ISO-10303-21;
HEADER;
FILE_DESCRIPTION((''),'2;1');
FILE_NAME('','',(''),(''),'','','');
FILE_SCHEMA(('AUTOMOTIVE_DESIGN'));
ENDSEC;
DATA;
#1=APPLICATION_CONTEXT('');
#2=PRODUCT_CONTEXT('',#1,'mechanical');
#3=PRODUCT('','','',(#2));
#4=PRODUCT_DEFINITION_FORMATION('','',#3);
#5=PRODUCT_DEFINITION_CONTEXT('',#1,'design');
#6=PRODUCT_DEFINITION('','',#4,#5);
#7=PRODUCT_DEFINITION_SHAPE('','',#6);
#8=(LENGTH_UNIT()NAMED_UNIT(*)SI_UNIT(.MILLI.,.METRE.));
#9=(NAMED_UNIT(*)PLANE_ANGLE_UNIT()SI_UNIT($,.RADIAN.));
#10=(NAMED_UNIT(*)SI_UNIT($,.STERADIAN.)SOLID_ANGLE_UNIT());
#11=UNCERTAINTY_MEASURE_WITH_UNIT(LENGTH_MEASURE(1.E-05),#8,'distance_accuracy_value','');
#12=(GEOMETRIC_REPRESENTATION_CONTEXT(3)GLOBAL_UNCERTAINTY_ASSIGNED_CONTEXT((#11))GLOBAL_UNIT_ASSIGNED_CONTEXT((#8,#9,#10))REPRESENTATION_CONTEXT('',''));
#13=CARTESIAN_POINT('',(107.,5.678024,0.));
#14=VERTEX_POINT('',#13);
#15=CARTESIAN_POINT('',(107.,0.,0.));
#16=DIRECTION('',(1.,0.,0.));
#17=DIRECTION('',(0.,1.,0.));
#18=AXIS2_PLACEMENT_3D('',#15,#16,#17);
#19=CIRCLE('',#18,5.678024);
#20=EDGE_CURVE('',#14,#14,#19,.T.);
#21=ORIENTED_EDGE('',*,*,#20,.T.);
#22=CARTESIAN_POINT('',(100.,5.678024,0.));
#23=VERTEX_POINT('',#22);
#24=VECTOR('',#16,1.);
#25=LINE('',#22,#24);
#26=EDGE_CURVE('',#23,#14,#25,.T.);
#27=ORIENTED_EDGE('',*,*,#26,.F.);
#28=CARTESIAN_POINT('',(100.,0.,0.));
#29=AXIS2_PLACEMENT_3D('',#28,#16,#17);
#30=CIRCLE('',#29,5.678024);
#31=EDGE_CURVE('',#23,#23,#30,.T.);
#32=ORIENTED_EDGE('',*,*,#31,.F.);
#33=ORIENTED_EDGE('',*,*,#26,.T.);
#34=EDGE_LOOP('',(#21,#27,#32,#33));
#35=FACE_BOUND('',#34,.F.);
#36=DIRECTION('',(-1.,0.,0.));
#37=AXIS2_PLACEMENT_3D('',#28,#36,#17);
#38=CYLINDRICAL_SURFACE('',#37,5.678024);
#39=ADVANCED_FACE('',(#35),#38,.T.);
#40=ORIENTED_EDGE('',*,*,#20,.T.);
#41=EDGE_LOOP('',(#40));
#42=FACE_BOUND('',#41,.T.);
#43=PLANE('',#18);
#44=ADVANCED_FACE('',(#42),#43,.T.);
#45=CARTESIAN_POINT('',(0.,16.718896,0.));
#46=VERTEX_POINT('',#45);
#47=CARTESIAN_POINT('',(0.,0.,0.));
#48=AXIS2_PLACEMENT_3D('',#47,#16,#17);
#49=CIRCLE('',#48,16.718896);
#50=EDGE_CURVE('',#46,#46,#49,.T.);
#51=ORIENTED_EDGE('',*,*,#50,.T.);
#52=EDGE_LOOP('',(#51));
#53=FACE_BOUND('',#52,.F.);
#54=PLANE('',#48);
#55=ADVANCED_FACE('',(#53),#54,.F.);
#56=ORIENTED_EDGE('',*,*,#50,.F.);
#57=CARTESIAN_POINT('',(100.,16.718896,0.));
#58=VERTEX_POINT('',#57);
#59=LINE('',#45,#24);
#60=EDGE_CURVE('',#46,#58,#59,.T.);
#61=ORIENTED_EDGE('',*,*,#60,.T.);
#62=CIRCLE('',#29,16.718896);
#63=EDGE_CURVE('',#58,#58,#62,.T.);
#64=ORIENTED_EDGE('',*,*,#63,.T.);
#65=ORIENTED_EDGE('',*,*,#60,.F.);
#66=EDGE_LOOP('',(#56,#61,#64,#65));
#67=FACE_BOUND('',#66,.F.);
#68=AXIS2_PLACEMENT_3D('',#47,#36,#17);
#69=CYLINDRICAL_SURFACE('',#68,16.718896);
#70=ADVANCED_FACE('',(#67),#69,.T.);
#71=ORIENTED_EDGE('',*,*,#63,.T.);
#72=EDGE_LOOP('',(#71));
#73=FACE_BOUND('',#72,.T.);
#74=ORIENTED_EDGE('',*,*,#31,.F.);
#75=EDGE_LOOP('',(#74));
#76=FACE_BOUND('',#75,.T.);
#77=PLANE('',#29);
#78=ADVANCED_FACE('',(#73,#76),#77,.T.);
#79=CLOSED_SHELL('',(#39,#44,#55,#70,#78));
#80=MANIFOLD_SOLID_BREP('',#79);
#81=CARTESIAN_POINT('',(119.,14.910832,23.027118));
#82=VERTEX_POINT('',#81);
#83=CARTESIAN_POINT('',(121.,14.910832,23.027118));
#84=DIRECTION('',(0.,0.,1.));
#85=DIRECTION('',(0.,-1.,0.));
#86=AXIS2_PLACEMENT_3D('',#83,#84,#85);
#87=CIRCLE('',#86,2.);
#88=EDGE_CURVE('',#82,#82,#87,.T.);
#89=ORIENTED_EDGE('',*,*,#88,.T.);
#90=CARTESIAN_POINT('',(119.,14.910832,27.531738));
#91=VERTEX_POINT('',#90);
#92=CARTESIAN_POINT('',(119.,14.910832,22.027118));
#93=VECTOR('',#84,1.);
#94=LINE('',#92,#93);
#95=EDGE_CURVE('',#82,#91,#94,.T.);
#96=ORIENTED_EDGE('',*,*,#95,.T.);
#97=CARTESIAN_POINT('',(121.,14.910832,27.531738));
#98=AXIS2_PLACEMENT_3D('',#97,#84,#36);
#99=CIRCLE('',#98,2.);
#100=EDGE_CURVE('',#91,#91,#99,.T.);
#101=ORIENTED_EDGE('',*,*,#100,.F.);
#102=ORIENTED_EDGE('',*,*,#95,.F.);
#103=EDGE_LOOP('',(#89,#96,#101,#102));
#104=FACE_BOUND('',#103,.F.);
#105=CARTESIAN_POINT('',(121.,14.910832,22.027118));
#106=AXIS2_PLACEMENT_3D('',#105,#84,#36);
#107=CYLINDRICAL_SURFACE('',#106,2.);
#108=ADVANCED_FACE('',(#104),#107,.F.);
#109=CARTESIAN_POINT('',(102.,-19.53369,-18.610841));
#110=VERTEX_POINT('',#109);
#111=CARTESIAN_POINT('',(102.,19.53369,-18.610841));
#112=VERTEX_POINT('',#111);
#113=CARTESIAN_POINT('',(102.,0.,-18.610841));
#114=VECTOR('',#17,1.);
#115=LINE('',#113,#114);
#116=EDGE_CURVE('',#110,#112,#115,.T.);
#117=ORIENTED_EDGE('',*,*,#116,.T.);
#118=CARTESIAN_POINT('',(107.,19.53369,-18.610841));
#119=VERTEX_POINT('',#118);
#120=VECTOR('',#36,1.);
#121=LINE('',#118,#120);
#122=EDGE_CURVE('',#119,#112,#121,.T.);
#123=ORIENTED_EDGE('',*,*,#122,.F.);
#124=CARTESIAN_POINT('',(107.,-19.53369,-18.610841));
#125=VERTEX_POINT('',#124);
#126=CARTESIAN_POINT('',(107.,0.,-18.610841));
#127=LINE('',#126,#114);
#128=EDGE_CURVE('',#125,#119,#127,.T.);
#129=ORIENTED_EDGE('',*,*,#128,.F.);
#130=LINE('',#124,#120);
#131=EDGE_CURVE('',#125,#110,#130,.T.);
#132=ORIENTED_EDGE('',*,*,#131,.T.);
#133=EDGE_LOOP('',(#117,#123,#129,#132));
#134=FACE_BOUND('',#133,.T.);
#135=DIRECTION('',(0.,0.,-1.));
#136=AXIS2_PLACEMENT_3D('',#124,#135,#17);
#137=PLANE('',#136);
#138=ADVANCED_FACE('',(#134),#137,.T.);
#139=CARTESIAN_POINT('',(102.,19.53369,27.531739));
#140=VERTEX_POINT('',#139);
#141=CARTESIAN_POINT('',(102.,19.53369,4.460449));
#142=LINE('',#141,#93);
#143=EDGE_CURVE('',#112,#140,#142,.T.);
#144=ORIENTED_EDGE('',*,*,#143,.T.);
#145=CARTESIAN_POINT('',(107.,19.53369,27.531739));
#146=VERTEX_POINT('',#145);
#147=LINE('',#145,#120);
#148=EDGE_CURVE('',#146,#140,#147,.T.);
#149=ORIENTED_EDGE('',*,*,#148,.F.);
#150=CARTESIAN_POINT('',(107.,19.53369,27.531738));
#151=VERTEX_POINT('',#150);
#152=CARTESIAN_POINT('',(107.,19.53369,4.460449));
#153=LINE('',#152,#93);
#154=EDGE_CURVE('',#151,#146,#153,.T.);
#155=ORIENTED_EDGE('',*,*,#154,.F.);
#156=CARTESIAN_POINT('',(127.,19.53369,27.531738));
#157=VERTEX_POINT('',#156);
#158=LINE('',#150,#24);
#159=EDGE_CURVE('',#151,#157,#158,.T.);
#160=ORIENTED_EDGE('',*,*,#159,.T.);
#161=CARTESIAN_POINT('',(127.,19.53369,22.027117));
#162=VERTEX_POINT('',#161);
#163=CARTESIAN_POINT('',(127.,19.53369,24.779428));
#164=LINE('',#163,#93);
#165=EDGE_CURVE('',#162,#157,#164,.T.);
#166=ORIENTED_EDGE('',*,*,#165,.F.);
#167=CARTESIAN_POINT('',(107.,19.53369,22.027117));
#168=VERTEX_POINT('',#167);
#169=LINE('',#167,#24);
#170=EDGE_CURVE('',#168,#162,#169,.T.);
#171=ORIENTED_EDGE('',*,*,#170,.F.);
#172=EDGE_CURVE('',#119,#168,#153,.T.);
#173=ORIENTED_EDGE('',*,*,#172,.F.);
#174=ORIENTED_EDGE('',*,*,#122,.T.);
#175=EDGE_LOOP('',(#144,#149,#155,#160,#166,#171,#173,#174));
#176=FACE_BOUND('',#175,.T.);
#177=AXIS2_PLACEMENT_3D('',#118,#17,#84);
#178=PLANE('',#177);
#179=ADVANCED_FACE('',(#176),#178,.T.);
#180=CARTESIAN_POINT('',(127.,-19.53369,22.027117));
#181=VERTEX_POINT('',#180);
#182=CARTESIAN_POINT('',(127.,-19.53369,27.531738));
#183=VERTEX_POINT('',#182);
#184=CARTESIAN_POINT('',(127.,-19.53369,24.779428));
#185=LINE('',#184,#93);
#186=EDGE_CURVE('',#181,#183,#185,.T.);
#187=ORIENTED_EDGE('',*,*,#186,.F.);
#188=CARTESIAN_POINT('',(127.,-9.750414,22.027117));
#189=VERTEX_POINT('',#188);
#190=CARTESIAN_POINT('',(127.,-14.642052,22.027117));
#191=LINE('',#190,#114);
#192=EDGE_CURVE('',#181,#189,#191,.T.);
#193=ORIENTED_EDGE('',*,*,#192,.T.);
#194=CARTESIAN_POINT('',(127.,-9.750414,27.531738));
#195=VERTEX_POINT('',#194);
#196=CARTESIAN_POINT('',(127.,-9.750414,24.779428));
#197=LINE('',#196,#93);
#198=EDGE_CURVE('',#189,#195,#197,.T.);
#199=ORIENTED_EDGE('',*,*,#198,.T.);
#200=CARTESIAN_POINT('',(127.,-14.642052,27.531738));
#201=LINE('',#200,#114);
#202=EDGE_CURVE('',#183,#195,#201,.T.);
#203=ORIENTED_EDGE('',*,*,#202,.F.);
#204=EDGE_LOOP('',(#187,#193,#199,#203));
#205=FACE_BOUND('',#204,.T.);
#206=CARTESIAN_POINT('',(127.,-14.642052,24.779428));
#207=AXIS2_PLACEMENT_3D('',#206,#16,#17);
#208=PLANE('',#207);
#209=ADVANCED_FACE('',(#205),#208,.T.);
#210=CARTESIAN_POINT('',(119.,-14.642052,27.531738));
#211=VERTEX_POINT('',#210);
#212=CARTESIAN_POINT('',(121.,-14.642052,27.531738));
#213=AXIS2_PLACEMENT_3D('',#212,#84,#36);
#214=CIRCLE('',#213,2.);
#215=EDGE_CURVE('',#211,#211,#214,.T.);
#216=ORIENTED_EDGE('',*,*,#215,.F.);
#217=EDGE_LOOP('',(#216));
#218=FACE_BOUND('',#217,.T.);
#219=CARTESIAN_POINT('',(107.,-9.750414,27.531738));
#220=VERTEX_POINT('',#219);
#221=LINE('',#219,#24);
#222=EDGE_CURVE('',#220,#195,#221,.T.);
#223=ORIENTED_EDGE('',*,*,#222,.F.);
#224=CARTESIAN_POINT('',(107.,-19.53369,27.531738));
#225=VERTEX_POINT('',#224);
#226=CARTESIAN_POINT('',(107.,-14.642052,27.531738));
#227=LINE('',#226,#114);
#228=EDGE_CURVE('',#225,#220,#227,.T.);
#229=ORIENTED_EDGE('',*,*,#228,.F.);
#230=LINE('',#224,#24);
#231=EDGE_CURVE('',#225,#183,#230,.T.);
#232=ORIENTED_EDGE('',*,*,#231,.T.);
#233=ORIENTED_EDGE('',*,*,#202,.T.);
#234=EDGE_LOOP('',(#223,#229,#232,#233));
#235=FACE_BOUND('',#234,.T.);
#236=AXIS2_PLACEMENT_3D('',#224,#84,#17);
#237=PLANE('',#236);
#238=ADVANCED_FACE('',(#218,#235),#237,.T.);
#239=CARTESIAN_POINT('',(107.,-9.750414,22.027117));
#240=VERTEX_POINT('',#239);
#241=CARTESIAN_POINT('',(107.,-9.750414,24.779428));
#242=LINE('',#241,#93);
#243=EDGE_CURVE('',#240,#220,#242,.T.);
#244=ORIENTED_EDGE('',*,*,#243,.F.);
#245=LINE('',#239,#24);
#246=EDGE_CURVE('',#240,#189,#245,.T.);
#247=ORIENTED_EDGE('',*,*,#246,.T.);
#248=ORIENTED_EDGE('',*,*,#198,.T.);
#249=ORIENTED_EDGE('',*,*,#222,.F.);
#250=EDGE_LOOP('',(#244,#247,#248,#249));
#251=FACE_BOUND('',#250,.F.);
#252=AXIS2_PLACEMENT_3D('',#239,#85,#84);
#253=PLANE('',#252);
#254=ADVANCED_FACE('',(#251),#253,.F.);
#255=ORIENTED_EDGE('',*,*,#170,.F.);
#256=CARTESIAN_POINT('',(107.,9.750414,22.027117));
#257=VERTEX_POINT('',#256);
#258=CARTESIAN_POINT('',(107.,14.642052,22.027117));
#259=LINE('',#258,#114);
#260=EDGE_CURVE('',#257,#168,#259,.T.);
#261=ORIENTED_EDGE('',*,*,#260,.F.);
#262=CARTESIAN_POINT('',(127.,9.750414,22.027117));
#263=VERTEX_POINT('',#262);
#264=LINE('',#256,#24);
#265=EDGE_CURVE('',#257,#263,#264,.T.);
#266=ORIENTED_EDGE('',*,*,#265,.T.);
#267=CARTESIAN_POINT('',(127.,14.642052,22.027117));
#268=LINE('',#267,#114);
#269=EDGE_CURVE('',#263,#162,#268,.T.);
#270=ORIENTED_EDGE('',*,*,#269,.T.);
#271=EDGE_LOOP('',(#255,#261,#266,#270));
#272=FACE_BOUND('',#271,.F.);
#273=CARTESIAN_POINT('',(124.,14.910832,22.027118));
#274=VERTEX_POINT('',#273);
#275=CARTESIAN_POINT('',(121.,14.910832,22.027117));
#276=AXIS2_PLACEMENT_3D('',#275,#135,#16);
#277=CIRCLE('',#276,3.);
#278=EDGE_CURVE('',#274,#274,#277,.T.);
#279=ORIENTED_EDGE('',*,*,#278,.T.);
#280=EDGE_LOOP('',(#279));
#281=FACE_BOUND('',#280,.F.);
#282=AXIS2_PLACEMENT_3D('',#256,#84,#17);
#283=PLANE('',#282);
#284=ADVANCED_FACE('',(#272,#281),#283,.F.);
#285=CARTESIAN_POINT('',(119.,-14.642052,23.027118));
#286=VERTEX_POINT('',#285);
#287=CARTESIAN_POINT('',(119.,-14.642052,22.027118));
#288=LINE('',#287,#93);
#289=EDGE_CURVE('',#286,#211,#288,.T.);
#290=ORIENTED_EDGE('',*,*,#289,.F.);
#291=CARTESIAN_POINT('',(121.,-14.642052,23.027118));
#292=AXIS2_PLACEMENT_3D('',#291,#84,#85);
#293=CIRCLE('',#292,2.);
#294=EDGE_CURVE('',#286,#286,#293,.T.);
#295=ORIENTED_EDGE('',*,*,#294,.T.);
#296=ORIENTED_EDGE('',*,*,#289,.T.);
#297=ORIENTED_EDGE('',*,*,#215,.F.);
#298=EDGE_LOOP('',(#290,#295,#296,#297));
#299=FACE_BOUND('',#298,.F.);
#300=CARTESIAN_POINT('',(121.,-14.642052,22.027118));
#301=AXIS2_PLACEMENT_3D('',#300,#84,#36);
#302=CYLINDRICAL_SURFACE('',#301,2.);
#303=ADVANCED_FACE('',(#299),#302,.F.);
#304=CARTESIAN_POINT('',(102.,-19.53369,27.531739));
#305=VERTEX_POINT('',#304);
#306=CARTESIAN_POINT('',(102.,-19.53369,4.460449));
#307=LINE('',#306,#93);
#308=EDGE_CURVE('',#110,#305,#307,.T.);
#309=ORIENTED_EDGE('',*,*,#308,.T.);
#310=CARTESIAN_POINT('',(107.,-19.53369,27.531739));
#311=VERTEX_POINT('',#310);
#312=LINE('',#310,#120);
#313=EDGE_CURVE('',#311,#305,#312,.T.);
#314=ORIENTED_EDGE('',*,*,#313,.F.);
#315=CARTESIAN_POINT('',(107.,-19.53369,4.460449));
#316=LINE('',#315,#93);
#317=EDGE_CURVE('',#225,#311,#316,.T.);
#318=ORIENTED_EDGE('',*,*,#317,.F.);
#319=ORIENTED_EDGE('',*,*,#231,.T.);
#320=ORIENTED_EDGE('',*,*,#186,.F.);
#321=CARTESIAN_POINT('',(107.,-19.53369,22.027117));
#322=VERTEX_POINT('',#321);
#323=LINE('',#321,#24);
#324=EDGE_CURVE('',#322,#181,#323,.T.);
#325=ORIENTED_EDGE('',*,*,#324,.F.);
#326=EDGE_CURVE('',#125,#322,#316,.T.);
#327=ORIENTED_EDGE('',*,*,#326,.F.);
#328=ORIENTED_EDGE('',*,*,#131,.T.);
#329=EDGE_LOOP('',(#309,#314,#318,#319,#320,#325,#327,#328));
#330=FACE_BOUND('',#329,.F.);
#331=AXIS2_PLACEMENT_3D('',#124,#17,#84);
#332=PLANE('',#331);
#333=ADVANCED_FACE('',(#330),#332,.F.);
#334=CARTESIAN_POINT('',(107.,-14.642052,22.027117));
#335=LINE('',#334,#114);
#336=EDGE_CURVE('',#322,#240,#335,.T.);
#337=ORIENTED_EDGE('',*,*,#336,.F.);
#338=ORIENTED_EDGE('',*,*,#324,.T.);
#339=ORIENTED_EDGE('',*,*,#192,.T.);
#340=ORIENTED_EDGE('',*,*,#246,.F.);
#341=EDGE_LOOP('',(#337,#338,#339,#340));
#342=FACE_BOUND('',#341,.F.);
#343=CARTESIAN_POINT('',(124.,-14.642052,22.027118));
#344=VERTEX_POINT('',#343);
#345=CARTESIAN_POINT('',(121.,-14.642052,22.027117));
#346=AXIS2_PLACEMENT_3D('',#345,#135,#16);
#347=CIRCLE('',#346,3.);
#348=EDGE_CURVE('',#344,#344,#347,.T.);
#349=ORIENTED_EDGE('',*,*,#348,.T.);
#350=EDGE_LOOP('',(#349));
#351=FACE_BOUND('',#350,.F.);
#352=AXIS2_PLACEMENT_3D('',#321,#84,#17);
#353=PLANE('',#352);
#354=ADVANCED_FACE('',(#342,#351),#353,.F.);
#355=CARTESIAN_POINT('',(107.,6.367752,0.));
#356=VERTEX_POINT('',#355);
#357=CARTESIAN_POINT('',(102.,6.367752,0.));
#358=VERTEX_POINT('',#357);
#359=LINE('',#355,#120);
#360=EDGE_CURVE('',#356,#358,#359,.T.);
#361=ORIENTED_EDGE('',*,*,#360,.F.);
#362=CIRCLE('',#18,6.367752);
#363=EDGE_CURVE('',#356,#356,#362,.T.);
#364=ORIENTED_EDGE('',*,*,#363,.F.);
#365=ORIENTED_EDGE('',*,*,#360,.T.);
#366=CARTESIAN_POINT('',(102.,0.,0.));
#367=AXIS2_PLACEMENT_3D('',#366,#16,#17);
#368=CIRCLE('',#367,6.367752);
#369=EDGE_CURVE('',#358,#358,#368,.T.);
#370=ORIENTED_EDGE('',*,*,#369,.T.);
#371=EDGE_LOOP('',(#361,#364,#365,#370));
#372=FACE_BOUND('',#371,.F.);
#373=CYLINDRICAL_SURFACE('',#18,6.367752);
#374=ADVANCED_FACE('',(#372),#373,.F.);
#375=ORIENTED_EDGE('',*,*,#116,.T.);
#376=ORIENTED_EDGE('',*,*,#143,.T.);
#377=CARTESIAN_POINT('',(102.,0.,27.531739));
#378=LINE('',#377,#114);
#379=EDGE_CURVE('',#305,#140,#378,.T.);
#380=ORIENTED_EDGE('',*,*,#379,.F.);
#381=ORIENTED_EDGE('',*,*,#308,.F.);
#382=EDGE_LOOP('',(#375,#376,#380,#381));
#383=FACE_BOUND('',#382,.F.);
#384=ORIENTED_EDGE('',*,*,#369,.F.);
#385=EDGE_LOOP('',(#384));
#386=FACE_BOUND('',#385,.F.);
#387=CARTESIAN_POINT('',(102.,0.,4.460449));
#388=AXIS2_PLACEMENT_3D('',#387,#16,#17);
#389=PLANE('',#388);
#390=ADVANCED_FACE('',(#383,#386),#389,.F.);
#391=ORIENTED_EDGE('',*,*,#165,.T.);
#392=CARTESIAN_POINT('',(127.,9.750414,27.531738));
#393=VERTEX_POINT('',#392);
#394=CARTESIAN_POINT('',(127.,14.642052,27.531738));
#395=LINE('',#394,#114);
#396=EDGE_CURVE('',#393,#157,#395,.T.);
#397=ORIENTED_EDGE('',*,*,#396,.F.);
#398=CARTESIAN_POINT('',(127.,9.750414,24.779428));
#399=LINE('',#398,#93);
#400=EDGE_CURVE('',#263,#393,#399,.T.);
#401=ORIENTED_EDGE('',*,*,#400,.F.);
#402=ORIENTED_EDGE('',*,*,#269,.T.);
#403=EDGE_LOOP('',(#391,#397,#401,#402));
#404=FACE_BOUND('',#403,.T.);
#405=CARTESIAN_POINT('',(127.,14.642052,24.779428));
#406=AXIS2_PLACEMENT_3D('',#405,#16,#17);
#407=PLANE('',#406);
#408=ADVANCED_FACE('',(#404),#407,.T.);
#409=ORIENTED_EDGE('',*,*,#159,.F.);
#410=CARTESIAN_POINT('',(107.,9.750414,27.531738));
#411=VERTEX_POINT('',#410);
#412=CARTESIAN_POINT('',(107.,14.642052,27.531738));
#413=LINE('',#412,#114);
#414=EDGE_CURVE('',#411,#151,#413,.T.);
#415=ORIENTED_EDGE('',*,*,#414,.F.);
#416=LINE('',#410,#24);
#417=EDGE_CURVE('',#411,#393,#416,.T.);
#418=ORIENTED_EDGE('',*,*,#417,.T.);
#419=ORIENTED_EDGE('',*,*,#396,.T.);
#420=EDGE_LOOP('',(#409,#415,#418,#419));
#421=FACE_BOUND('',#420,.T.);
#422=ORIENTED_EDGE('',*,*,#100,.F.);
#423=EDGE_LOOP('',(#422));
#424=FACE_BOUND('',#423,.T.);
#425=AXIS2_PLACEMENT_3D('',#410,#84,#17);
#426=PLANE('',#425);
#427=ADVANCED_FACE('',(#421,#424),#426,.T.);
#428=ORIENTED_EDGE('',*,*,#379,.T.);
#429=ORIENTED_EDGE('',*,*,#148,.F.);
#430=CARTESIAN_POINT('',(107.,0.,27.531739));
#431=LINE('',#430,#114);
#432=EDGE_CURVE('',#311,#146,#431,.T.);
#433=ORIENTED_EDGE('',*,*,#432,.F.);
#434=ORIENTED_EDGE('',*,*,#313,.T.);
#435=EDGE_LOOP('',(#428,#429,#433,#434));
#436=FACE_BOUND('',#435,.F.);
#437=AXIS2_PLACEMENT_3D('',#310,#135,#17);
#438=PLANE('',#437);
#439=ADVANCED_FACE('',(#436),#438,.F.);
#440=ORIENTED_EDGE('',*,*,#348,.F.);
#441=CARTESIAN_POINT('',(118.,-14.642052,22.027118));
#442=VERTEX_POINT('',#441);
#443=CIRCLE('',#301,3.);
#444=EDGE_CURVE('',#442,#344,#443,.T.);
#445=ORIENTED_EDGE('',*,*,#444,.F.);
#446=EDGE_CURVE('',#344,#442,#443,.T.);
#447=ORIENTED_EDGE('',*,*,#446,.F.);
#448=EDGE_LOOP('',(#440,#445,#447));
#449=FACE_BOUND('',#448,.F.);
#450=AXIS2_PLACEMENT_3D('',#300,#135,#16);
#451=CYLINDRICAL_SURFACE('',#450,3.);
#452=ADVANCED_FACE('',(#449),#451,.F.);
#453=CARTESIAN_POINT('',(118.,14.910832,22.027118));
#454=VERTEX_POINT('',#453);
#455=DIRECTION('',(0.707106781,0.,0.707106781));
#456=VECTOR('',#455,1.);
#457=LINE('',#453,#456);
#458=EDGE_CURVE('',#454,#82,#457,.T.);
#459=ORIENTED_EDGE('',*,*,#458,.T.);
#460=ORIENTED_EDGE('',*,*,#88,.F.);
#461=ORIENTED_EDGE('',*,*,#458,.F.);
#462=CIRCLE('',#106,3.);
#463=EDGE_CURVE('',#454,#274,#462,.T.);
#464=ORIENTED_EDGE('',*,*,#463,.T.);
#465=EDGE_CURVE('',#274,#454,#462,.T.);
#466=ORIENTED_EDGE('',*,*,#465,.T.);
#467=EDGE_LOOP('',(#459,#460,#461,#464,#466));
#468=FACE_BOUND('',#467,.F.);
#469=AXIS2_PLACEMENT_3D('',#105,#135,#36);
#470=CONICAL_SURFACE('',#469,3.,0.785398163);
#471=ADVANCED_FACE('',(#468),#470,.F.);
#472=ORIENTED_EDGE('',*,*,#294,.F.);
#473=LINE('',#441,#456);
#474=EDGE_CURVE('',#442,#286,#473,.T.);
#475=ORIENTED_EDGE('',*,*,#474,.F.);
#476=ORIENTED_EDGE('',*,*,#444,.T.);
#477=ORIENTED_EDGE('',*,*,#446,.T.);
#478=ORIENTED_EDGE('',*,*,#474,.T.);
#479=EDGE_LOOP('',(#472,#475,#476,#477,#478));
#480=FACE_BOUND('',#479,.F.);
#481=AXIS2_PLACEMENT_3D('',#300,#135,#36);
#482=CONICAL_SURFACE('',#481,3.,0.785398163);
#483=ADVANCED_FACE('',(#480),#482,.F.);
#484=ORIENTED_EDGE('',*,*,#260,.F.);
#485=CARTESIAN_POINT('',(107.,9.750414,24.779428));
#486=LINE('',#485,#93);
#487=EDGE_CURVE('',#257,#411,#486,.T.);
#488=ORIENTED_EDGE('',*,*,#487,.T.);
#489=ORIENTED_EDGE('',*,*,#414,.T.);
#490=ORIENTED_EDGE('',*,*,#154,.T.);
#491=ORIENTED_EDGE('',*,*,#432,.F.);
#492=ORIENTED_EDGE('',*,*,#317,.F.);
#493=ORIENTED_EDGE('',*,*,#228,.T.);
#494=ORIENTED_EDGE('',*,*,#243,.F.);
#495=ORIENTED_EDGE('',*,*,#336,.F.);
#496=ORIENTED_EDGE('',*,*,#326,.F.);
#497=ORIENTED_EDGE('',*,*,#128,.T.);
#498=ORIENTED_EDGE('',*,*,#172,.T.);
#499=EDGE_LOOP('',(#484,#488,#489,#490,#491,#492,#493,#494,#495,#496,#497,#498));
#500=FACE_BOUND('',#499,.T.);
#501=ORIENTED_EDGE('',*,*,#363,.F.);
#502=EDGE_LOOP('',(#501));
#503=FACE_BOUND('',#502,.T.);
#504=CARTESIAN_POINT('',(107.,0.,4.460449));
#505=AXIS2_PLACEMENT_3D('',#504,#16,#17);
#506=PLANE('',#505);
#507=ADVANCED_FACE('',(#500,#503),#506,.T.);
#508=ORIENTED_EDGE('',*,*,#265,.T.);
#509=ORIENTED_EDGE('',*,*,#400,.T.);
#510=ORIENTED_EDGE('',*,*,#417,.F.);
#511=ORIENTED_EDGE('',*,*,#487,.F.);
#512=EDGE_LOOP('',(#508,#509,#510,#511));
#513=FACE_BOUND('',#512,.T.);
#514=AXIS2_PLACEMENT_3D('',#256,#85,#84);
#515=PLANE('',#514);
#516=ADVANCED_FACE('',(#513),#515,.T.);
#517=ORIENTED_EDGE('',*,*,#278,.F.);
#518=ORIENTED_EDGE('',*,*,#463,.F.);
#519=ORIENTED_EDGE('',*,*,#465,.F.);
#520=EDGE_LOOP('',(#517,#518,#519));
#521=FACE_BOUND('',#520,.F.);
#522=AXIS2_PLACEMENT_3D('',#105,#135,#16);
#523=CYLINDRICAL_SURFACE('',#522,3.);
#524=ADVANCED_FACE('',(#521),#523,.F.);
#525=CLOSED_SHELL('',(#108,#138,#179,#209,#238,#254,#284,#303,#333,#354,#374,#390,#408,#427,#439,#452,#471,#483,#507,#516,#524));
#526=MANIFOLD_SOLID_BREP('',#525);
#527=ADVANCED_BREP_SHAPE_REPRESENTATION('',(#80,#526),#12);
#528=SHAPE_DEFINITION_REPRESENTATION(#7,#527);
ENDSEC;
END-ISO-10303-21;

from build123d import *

# Parameters (mm, degrees)
F0_R            = 16.718896
F1_DEPTH        = 100
F2_R            = 5.678024
F3_DEPTH        = 7
F4_W            = 39.06738
F4_H            = 46.14258
F4_R            = 6.367752
F5_DEPTH        = 5
F6_W            = 9.783276
F6_H            = 5.504621
F7_DEPTH        = 20
F9_D            = 4
F9_CSINK_D      = 6
F9_CSINK_ANGLE  = 90
F10_D           = 4
F10_CSINK_D     = 6
F10_CSINK_ANGLE = 90


with BuildPart() as f1:
    # F0 (on Right) → F1 (new body)
    with BuildSketch(Plane.YZ):
        Circle(F0_R)
    extrude(amount=F1_DEPTH)

    # F2 (on face) → F3 (join)
    with BuildSketch(Plane.YZ.offset(100)):
        Circle(F2_R)
    extrude(amount=F3_DEPTH)


with BuildPart() as f5:
    # F4 (on face) → F5 (new body)
    with BuildSketch(Plane.YZ.offset(107)):
        with Locations((0, 4.460449)):
            Rectangle(F4_W, F4_H)
        Circle(F4_R, mode=Mode.SUBTRACT)
    extrude(amount=-F5_DEPTH)

    # F6 (on face) → F7 (join)
    with BuildSketch(Plane.YZ.offset(107)):
        with Locations((-14.642052, 24.779428)):
            Rectangle(F6_W, F6_H)
        with Locations((14.642052, 24.779428)):
            Rectangle(F6_W, F6_H)
    extrude(amount=F7_DEPTH)

    # F9 (through all)
    with Locations(Plane(origin=(0, 0, 22.027118), x_dir=(1, 0, 0), z_dir=(0, 0, -1))):
        with Locations((121, 14.642052)):
            CounterSinkHole(F9_D / 2, F9_CSINK_D / 2, counter_sink_angle=F9_CSINK_ANGLE)

    # F10 (through all)
    with Locations(Plane(origin=(0, 0, 22.027118), x_dir=(1, 0, 0), z_dir=(0, 0, -1))):
        with Locations((121, -14.910832)):
            CounterSinkHole(F10_D / 2, F10_CSINK_D / 2, counter_sink_angle=F10_CSINK_ANGLE)


solid = Compound([f1.part, f5.part])
